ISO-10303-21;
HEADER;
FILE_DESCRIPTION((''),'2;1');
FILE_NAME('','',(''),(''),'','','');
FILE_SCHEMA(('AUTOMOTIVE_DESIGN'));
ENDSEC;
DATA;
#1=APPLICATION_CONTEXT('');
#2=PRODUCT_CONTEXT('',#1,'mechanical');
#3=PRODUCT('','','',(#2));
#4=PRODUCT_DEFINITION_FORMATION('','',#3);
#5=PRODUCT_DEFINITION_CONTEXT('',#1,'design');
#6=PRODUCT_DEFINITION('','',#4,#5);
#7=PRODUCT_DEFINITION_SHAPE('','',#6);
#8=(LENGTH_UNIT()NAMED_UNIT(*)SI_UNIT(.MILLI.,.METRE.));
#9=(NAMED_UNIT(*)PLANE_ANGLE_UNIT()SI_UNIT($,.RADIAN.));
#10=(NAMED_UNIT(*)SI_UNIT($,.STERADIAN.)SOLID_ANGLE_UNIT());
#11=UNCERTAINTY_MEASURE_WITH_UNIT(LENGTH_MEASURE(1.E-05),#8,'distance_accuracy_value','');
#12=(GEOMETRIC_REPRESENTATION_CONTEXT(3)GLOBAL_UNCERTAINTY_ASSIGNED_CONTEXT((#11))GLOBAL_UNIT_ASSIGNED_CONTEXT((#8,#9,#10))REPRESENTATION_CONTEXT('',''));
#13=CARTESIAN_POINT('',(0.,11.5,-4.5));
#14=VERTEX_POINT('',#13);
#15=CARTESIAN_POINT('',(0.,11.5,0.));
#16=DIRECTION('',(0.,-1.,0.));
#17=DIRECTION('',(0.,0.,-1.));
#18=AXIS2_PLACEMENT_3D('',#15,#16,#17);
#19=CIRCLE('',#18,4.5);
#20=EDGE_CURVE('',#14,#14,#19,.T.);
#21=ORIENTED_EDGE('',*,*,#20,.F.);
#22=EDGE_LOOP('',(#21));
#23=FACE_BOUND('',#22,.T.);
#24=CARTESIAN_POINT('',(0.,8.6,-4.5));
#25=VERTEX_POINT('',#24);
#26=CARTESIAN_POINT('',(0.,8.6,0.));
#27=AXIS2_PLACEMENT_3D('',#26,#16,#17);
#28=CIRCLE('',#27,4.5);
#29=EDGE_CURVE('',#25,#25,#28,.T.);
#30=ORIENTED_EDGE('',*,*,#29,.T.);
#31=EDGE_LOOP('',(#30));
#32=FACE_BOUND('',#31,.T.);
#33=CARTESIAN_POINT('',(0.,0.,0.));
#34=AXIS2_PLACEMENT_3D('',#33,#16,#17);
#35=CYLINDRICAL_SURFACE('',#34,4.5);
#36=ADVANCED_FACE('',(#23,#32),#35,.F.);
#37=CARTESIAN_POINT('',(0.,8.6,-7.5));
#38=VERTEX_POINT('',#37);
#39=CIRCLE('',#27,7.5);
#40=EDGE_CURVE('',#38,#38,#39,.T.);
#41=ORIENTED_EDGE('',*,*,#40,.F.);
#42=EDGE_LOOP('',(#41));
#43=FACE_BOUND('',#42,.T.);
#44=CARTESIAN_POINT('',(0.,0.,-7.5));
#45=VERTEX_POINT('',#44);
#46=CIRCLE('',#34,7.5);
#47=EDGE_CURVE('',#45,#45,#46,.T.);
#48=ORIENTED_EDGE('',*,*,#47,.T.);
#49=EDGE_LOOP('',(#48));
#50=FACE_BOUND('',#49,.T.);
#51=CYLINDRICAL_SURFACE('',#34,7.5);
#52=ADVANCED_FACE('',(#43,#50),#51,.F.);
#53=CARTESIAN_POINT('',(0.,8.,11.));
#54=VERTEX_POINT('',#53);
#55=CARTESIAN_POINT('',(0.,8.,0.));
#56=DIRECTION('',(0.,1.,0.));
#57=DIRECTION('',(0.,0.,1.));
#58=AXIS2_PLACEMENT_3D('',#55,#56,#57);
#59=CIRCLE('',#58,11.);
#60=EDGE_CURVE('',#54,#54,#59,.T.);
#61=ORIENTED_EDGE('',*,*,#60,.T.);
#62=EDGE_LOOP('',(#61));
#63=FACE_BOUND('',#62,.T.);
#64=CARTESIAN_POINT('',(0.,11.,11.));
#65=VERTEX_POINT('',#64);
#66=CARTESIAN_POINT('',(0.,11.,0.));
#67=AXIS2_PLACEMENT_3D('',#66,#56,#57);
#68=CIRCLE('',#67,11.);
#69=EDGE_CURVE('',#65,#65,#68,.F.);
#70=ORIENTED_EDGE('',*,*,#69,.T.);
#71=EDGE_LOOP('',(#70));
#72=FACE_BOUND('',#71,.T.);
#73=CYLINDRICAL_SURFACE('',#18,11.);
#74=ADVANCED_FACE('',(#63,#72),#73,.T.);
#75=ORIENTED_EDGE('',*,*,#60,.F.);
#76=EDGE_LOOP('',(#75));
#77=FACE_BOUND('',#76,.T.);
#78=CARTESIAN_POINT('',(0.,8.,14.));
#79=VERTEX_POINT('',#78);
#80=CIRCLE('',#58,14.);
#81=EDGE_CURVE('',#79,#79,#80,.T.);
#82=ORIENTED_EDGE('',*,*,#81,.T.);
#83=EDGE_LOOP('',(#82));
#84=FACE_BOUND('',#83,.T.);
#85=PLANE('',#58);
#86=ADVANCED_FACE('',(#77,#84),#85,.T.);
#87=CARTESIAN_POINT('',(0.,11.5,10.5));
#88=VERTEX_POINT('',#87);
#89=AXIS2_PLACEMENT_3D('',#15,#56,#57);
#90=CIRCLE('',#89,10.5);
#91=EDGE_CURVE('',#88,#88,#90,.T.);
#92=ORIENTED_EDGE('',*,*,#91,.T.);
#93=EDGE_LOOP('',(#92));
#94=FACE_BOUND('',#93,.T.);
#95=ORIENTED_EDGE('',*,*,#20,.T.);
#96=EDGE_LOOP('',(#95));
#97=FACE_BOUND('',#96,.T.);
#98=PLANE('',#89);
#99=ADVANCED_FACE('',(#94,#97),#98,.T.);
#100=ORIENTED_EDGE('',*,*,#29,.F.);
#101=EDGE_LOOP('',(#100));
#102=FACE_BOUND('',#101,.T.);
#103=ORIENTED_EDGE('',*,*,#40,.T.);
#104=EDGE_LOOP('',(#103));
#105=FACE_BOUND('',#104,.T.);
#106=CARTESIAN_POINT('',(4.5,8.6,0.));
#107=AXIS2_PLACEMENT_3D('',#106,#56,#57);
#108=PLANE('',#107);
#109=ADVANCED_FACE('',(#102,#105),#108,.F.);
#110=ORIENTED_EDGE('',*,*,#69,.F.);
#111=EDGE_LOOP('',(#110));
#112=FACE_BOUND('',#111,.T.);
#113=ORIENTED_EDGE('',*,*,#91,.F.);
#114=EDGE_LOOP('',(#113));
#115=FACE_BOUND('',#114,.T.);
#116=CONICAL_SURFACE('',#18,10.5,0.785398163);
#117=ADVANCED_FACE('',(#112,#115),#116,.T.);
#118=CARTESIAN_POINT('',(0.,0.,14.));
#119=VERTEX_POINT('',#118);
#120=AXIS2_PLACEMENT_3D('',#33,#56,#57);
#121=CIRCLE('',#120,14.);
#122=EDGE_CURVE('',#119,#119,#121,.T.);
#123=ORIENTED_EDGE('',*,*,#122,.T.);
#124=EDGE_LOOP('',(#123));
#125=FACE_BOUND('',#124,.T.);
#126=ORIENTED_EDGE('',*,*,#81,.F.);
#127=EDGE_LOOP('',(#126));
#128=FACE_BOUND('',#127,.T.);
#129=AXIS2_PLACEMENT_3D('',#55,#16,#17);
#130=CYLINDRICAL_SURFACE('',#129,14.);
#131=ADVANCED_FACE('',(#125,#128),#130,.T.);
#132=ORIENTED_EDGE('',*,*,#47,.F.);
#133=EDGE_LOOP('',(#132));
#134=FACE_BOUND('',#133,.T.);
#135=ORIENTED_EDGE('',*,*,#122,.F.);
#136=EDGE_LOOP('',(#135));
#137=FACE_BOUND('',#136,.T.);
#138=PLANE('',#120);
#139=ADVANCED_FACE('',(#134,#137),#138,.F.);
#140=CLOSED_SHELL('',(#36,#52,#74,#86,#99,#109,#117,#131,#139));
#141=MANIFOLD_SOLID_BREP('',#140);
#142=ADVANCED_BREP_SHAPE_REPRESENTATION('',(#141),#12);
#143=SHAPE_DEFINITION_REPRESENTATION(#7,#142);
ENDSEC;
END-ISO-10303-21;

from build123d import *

# Parameters (mm, degrees)
SKETCH_1_R                   = 14
EXTRUDE_1_DEPTH              = 8
SKETCH_2_R                   = 11
EXTRUDE_2_DEPTH              = 3.5
HOLE_WIZARD_M8_1_D           = 9
HOLE_WIZARD_M8_1_CBORE_D     = 15
HOLE_WIZARD_M8_1_CBORE_DEPTH = 8.6
CHAMFER_1_SIZE               = 0.5


with BuildPart() as part:
    # 草圖1 → 填料-伸長1 (new body)
    with BuildSketch(Plane(origin=(0, 0, 0), x_dir=(1, 0, 0), z_dir=(0, 1, 0))):
        with Locations(Location((0, 0, 0), (0, 0, 270))):
            Circle(SKETCH_1_R)
    extrude(amount=EXTRUDE_1_DEPTH)

    # 草圖2 → 填料-伸長2 (add)
    with BuildSketch(Plane(origin=(0, 8, 0), x_dir=(1, 0, 0), z_dir=(0, 1, 0))):
        with Locations(Location((0, 0, 0), (0, 0, 270))):
            Circle(SKETCH_2_R)
    extrude(amount=EXTRUDE_2_DEPTH)

    # M8 六角承窩頭蓋螺釘的柱孔1 (through all)
    with Locations(Plane(origin=(0, 0, 0), x_dir=(-1, 0, 0), z_dir=(0, -1, 0))):
        with Locations((0, 0)):
            CounterBoreHole(HOLE_WIZARD_M8_1_D / 2, HOLE_WIZARD_M8_1_CBORE_D / 2, HOLE_WIZARD_M8_1_CBORE_DEPTH)

    # 導角1
    chamfer_1_edges = [part.edges().sort_by_distance(p)[0] for p in [
        (0, 11.5, -11),
    ]]
    chamfer(chamfer_1_edges, length=CHAMFER_1_SIZE)


solid = part.part
